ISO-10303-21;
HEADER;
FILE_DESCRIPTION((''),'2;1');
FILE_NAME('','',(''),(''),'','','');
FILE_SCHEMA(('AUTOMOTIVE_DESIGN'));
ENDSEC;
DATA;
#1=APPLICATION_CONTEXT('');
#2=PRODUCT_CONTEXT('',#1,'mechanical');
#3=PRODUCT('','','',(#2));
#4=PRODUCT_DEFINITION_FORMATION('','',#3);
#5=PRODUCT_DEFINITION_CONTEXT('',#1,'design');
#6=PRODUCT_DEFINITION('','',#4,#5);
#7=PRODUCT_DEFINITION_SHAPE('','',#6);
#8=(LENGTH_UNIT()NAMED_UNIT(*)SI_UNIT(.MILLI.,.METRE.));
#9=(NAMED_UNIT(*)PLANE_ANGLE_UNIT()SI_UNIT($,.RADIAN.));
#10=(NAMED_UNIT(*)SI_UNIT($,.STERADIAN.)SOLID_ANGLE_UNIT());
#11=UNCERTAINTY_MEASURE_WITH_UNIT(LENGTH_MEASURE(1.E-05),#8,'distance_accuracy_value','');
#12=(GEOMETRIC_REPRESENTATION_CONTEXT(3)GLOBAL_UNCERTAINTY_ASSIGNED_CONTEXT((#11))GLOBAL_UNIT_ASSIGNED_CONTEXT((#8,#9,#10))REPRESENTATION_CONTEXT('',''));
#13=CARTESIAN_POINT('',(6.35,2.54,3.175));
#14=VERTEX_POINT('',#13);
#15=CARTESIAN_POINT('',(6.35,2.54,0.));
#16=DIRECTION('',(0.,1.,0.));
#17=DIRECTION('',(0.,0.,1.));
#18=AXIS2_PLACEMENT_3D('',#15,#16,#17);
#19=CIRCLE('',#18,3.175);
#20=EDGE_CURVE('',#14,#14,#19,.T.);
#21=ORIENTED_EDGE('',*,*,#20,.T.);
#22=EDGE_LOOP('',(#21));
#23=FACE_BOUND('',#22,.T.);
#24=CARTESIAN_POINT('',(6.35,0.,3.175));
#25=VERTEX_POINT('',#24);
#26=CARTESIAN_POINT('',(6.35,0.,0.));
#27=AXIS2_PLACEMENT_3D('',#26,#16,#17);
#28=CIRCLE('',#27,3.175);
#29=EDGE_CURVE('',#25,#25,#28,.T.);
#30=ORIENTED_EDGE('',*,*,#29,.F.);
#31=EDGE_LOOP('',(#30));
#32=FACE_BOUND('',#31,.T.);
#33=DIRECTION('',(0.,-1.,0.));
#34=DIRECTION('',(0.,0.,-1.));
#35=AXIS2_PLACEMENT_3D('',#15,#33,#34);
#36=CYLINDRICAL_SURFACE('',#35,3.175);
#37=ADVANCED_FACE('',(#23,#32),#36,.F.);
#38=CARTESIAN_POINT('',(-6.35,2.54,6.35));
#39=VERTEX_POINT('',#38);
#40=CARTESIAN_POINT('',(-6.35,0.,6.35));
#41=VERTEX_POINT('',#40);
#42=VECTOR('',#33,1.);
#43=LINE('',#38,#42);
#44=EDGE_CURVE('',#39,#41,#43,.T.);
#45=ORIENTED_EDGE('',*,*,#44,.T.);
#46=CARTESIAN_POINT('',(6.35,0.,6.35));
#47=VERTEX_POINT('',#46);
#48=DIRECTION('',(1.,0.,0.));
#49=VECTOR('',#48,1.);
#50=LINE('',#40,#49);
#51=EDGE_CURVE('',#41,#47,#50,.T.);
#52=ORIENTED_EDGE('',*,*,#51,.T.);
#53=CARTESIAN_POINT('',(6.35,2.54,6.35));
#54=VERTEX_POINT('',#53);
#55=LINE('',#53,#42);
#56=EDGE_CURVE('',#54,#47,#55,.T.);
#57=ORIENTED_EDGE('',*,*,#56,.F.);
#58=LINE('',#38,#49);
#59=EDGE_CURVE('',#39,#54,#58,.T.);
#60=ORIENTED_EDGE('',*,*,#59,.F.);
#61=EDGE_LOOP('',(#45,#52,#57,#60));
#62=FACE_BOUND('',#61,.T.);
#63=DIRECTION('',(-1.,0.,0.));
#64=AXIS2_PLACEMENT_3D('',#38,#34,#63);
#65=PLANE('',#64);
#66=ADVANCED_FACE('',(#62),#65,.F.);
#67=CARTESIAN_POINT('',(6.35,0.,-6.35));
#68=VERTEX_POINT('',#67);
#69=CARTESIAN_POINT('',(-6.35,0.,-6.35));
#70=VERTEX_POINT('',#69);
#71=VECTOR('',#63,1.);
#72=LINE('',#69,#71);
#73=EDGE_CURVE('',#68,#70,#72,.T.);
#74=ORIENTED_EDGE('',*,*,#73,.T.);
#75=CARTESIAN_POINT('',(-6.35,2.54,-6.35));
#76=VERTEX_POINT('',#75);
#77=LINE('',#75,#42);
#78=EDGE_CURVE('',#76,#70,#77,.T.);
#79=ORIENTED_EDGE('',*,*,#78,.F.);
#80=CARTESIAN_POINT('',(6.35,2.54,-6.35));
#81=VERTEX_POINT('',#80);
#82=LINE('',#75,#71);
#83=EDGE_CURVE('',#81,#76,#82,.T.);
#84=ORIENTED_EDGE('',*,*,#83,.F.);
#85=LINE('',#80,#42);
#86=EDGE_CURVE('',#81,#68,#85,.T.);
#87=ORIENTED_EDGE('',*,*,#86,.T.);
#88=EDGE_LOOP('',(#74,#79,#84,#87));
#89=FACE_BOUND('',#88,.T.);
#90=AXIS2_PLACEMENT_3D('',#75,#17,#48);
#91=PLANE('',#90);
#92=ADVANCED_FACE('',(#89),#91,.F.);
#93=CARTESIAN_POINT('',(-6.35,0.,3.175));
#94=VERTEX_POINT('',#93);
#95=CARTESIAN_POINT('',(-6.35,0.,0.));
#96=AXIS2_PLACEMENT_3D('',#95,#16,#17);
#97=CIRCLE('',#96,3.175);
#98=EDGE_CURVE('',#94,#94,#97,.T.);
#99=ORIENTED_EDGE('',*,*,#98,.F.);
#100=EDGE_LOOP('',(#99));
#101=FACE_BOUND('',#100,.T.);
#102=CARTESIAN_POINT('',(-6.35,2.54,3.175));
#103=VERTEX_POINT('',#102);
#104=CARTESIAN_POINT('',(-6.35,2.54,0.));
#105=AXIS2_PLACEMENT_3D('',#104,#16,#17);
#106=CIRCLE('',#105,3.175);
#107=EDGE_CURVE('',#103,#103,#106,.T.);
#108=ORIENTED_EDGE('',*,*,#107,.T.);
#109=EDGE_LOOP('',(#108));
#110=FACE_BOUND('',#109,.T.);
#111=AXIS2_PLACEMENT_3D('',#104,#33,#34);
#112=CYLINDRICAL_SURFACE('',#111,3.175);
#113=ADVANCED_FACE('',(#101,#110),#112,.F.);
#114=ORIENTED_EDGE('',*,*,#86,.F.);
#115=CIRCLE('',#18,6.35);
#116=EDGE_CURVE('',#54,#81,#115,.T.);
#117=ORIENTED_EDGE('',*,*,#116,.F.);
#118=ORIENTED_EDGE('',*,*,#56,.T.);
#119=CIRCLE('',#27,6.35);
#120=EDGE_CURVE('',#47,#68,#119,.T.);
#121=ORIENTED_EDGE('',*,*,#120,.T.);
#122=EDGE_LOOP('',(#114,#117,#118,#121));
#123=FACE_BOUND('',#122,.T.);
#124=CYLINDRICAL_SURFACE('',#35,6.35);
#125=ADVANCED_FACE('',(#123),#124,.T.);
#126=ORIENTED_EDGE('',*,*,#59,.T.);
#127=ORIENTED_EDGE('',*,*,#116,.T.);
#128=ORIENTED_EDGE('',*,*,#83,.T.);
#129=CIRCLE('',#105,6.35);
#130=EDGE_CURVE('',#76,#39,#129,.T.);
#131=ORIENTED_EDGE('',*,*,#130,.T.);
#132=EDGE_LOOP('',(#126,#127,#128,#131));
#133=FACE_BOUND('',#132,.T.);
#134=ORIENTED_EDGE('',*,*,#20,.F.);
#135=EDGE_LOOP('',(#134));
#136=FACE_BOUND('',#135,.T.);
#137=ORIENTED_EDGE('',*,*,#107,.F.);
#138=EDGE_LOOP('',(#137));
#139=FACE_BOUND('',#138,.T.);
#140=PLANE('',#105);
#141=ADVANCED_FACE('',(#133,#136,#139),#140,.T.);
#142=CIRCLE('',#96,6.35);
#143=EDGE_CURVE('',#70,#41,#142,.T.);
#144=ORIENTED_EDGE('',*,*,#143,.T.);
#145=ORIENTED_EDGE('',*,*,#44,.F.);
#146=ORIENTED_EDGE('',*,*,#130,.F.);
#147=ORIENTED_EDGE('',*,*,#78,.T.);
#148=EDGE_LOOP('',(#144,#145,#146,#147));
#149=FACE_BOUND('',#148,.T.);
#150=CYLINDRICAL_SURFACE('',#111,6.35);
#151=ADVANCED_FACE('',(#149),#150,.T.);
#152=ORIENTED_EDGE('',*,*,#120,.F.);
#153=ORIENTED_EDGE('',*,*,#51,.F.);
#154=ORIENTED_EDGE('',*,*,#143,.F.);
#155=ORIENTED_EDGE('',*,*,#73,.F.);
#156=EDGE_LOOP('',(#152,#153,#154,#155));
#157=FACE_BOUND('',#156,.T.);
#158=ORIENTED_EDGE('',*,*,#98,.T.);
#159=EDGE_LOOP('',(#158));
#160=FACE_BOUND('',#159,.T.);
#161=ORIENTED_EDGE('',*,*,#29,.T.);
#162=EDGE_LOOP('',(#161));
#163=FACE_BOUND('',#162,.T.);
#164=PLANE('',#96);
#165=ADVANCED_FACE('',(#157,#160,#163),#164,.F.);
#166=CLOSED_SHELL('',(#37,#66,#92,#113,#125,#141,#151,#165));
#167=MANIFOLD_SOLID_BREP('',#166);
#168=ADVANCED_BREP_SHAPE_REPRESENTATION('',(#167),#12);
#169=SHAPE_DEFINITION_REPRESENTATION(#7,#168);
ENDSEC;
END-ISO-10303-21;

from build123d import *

# Parameters (mm, degrees)
SKETCH1_R           = 3.175
BOSS_EXTRUDE1_DEPTH = 2.54


with BuildPart() as part:
    # Sketch1 → Boss-Extrude1 (new body)
    with BuildSketch(Plane(origin=(0, 0, 0), x_dir=(1, 0, 0), z_dir=(0, 1, 0))):
        with BuildLine():
            Line((-6.35, 6.35), (6.35, 6.35))
            ThreePointArc((6.35, 6.35), (12.7, 0), (6.35, -6.35))
            Line((6.35, -6.35), (-6.35, -6.35))
            ThreePointArc((-6.35, -6.35), (-12.7, 0), (-6.35, 6.35))
        make_face()
        with Locations((-6.35, 0)):
            Circle(SKETCH1_R, mode=Mode.SUBTRACT)
        with Locations((6.35, 0)):
            Circle(SKETCH1_R, mode=Mode.SUBTRACT)
    extrude(amount=BOSS_EXTRUDE1_DEPTH)


solid = part.part
